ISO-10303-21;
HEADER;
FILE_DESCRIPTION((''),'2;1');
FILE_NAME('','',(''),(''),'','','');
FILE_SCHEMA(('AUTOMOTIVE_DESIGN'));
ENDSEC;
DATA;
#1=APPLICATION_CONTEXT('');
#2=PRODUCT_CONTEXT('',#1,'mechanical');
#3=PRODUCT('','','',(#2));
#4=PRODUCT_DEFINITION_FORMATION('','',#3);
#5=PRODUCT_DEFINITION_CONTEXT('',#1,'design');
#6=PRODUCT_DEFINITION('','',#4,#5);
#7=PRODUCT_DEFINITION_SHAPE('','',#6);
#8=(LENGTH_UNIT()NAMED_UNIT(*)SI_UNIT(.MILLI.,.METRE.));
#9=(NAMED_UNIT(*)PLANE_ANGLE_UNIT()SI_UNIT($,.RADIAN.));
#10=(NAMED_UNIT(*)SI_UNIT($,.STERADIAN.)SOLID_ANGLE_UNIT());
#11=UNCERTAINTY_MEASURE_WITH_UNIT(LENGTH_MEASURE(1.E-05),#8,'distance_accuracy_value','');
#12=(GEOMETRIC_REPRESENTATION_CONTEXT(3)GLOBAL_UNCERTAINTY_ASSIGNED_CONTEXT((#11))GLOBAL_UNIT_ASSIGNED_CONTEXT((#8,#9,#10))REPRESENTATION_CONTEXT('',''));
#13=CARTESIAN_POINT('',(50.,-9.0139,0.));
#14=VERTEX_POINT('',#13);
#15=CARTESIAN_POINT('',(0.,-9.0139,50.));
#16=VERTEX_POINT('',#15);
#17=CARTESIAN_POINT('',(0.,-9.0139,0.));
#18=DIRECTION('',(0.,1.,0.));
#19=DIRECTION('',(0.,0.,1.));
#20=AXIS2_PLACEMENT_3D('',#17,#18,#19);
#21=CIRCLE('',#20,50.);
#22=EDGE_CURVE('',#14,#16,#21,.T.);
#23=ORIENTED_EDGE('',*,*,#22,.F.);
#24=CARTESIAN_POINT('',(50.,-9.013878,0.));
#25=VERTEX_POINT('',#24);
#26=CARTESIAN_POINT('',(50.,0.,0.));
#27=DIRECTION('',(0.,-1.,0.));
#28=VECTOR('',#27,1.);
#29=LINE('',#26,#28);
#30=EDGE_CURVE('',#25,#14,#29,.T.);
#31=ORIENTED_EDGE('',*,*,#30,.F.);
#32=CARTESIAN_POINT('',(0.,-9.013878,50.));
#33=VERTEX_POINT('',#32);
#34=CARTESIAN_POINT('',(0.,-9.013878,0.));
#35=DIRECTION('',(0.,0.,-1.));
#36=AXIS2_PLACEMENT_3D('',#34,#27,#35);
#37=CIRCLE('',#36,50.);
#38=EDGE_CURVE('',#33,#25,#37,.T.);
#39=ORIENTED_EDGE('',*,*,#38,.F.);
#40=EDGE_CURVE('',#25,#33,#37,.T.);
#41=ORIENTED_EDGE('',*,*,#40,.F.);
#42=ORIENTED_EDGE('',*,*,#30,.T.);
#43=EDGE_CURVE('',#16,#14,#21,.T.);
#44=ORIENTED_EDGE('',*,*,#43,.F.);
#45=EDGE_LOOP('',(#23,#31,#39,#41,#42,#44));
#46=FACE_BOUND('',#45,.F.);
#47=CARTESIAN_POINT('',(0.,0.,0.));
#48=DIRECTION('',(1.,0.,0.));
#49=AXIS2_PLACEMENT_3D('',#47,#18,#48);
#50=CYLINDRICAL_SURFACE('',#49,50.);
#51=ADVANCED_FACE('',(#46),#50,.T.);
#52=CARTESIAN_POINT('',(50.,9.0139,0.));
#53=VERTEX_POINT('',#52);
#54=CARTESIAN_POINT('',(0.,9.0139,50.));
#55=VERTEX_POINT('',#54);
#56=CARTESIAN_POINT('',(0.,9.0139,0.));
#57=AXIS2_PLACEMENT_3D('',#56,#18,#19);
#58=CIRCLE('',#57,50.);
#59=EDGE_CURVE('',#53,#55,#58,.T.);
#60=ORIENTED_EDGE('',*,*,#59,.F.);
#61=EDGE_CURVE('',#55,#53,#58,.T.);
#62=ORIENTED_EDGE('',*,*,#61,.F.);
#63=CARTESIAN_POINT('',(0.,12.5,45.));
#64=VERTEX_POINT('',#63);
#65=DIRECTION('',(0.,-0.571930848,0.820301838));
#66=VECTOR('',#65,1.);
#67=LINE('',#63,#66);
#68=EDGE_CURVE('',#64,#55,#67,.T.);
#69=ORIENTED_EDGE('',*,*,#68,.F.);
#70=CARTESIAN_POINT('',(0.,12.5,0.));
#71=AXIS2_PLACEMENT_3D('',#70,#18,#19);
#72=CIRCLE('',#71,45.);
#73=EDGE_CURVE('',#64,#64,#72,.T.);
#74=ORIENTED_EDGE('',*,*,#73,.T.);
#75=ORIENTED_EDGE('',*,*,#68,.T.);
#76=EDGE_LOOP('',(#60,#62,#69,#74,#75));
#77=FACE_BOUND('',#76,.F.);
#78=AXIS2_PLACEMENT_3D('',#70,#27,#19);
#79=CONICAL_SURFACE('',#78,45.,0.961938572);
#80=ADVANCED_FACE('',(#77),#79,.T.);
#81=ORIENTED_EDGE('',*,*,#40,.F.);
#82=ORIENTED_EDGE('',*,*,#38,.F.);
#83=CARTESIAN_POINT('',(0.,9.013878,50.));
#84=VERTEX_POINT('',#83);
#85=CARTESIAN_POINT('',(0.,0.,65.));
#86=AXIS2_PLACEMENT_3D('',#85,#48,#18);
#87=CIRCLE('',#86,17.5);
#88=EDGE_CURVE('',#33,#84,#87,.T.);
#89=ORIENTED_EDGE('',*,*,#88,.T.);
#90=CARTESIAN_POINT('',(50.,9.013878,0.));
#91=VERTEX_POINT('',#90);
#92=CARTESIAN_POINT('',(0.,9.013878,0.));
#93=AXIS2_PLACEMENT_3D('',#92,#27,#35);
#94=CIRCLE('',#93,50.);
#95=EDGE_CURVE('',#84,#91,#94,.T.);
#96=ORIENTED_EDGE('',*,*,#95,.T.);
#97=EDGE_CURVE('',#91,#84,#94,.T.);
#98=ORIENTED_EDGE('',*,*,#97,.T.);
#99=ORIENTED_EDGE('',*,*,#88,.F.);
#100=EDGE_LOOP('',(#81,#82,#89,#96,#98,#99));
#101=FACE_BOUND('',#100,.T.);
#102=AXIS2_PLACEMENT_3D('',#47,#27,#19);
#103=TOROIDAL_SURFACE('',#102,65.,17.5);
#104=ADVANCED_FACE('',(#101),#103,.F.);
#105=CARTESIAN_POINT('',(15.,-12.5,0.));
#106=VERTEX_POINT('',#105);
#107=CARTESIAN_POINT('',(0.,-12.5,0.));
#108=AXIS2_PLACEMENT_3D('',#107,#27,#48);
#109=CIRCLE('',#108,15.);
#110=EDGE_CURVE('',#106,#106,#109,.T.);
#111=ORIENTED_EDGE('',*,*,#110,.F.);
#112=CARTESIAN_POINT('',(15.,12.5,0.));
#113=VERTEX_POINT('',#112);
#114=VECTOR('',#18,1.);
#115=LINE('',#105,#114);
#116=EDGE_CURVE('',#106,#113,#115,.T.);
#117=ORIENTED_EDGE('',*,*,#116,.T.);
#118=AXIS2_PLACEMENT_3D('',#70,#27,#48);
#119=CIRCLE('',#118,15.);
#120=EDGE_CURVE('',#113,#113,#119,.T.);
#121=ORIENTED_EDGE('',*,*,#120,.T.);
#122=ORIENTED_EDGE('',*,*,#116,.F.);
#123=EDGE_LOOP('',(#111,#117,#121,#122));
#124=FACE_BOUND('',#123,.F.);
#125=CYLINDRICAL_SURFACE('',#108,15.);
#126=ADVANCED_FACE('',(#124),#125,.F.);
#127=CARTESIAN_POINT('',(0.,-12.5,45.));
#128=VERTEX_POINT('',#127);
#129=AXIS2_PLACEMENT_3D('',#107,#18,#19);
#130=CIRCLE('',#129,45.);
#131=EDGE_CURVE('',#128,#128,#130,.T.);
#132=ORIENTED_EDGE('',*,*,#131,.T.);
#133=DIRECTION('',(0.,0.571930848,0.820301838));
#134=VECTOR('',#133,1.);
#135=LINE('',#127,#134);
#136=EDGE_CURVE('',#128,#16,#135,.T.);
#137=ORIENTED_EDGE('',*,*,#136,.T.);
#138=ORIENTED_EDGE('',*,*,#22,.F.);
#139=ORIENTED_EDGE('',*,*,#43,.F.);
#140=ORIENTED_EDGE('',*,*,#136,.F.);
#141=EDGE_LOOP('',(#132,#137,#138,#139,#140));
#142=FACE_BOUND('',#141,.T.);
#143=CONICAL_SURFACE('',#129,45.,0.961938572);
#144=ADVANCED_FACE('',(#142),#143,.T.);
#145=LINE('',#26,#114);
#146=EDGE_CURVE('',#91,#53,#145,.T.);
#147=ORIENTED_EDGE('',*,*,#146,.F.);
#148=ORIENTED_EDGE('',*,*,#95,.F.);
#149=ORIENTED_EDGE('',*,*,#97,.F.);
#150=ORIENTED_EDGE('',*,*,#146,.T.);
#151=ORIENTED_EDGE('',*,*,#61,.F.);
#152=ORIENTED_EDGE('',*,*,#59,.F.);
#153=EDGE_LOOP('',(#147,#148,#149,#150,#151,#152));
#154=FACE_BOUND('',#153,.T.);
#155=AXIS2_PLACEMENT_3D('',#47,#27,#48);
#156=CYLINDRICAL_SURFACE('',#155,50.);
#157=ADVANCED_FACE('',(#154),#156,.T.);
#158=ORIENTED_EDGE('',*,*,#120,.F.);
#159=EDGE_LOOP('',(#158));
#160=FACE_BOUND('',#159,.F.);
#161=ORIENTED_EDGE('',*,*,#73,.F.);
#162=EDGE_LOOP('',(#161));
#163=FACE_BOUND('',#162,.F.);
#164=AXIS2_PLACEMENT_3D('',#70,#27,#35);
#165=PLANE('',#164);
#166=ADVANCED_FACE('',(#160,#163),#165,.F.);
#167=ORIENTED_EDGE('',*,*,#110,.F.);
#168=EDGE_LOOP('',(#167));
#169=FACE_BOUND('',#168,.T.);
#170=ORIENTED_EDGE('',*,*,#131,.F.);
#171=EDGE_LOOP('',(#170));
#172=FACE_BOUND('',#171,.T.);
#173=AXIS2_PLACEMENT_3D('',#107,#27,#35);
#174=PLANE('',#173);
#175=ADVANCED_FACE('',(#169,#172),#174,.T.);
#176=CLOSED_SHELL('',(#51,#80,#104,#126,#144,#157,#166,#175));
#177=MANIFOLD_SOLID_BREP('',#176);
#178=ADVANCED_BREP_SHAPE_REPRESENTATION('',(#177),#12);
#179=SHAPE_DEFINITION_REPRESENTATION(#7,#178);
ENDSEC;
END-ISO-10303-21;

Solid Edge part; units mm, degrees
sketch "Sketch1" plane through (0, 0, 0) normal (0, -1, 0) x (1, 0, 0)
  circle A0 centre (0, 0) radius 50
extrude "Protrusion1" add sketch "Sketch1" along normal mid plane 25
sketch "Sketch2" plane through (0, 0, 0) normal (1, 0, 0) x (0, 1, 0)
  circle A0 centre (0, 65) radius 17.5
revolve "RevolvedCutout1" cut sketch "Sketch2" angle 360 about axis through (0, -60, 0) along (0, 1, 0)
sketch "Sketch3" plane through (0, -12.5, 0) normal (0, -1, 0) x (1, 0, 0)
  circle A0 centre (0, 0) radius 15
extrude "Cutout1" cut sketch "Sketch3" against normal up to next
sketch "Sketch4" plane through (0, 0, 0) normal (1, 0, 0) x (0, 1, 0)
  line L0 (-12.5, 45) -> (-9.0139, 50)
  dimension "D1" = 45
  dimension "D2" = 9.0139
revolve "RevolvedCutout2" cut sketch "Sketch4" angle 360 about axis through (0, -60, 0) along (0, 1, 0) material side at (0, -10.798, 47.5286)
mirror "Mirror1" about plane through (0, 0, 0) normal (0, -1, 0) of "RevolvedCutout2"
properties material "Steel"
